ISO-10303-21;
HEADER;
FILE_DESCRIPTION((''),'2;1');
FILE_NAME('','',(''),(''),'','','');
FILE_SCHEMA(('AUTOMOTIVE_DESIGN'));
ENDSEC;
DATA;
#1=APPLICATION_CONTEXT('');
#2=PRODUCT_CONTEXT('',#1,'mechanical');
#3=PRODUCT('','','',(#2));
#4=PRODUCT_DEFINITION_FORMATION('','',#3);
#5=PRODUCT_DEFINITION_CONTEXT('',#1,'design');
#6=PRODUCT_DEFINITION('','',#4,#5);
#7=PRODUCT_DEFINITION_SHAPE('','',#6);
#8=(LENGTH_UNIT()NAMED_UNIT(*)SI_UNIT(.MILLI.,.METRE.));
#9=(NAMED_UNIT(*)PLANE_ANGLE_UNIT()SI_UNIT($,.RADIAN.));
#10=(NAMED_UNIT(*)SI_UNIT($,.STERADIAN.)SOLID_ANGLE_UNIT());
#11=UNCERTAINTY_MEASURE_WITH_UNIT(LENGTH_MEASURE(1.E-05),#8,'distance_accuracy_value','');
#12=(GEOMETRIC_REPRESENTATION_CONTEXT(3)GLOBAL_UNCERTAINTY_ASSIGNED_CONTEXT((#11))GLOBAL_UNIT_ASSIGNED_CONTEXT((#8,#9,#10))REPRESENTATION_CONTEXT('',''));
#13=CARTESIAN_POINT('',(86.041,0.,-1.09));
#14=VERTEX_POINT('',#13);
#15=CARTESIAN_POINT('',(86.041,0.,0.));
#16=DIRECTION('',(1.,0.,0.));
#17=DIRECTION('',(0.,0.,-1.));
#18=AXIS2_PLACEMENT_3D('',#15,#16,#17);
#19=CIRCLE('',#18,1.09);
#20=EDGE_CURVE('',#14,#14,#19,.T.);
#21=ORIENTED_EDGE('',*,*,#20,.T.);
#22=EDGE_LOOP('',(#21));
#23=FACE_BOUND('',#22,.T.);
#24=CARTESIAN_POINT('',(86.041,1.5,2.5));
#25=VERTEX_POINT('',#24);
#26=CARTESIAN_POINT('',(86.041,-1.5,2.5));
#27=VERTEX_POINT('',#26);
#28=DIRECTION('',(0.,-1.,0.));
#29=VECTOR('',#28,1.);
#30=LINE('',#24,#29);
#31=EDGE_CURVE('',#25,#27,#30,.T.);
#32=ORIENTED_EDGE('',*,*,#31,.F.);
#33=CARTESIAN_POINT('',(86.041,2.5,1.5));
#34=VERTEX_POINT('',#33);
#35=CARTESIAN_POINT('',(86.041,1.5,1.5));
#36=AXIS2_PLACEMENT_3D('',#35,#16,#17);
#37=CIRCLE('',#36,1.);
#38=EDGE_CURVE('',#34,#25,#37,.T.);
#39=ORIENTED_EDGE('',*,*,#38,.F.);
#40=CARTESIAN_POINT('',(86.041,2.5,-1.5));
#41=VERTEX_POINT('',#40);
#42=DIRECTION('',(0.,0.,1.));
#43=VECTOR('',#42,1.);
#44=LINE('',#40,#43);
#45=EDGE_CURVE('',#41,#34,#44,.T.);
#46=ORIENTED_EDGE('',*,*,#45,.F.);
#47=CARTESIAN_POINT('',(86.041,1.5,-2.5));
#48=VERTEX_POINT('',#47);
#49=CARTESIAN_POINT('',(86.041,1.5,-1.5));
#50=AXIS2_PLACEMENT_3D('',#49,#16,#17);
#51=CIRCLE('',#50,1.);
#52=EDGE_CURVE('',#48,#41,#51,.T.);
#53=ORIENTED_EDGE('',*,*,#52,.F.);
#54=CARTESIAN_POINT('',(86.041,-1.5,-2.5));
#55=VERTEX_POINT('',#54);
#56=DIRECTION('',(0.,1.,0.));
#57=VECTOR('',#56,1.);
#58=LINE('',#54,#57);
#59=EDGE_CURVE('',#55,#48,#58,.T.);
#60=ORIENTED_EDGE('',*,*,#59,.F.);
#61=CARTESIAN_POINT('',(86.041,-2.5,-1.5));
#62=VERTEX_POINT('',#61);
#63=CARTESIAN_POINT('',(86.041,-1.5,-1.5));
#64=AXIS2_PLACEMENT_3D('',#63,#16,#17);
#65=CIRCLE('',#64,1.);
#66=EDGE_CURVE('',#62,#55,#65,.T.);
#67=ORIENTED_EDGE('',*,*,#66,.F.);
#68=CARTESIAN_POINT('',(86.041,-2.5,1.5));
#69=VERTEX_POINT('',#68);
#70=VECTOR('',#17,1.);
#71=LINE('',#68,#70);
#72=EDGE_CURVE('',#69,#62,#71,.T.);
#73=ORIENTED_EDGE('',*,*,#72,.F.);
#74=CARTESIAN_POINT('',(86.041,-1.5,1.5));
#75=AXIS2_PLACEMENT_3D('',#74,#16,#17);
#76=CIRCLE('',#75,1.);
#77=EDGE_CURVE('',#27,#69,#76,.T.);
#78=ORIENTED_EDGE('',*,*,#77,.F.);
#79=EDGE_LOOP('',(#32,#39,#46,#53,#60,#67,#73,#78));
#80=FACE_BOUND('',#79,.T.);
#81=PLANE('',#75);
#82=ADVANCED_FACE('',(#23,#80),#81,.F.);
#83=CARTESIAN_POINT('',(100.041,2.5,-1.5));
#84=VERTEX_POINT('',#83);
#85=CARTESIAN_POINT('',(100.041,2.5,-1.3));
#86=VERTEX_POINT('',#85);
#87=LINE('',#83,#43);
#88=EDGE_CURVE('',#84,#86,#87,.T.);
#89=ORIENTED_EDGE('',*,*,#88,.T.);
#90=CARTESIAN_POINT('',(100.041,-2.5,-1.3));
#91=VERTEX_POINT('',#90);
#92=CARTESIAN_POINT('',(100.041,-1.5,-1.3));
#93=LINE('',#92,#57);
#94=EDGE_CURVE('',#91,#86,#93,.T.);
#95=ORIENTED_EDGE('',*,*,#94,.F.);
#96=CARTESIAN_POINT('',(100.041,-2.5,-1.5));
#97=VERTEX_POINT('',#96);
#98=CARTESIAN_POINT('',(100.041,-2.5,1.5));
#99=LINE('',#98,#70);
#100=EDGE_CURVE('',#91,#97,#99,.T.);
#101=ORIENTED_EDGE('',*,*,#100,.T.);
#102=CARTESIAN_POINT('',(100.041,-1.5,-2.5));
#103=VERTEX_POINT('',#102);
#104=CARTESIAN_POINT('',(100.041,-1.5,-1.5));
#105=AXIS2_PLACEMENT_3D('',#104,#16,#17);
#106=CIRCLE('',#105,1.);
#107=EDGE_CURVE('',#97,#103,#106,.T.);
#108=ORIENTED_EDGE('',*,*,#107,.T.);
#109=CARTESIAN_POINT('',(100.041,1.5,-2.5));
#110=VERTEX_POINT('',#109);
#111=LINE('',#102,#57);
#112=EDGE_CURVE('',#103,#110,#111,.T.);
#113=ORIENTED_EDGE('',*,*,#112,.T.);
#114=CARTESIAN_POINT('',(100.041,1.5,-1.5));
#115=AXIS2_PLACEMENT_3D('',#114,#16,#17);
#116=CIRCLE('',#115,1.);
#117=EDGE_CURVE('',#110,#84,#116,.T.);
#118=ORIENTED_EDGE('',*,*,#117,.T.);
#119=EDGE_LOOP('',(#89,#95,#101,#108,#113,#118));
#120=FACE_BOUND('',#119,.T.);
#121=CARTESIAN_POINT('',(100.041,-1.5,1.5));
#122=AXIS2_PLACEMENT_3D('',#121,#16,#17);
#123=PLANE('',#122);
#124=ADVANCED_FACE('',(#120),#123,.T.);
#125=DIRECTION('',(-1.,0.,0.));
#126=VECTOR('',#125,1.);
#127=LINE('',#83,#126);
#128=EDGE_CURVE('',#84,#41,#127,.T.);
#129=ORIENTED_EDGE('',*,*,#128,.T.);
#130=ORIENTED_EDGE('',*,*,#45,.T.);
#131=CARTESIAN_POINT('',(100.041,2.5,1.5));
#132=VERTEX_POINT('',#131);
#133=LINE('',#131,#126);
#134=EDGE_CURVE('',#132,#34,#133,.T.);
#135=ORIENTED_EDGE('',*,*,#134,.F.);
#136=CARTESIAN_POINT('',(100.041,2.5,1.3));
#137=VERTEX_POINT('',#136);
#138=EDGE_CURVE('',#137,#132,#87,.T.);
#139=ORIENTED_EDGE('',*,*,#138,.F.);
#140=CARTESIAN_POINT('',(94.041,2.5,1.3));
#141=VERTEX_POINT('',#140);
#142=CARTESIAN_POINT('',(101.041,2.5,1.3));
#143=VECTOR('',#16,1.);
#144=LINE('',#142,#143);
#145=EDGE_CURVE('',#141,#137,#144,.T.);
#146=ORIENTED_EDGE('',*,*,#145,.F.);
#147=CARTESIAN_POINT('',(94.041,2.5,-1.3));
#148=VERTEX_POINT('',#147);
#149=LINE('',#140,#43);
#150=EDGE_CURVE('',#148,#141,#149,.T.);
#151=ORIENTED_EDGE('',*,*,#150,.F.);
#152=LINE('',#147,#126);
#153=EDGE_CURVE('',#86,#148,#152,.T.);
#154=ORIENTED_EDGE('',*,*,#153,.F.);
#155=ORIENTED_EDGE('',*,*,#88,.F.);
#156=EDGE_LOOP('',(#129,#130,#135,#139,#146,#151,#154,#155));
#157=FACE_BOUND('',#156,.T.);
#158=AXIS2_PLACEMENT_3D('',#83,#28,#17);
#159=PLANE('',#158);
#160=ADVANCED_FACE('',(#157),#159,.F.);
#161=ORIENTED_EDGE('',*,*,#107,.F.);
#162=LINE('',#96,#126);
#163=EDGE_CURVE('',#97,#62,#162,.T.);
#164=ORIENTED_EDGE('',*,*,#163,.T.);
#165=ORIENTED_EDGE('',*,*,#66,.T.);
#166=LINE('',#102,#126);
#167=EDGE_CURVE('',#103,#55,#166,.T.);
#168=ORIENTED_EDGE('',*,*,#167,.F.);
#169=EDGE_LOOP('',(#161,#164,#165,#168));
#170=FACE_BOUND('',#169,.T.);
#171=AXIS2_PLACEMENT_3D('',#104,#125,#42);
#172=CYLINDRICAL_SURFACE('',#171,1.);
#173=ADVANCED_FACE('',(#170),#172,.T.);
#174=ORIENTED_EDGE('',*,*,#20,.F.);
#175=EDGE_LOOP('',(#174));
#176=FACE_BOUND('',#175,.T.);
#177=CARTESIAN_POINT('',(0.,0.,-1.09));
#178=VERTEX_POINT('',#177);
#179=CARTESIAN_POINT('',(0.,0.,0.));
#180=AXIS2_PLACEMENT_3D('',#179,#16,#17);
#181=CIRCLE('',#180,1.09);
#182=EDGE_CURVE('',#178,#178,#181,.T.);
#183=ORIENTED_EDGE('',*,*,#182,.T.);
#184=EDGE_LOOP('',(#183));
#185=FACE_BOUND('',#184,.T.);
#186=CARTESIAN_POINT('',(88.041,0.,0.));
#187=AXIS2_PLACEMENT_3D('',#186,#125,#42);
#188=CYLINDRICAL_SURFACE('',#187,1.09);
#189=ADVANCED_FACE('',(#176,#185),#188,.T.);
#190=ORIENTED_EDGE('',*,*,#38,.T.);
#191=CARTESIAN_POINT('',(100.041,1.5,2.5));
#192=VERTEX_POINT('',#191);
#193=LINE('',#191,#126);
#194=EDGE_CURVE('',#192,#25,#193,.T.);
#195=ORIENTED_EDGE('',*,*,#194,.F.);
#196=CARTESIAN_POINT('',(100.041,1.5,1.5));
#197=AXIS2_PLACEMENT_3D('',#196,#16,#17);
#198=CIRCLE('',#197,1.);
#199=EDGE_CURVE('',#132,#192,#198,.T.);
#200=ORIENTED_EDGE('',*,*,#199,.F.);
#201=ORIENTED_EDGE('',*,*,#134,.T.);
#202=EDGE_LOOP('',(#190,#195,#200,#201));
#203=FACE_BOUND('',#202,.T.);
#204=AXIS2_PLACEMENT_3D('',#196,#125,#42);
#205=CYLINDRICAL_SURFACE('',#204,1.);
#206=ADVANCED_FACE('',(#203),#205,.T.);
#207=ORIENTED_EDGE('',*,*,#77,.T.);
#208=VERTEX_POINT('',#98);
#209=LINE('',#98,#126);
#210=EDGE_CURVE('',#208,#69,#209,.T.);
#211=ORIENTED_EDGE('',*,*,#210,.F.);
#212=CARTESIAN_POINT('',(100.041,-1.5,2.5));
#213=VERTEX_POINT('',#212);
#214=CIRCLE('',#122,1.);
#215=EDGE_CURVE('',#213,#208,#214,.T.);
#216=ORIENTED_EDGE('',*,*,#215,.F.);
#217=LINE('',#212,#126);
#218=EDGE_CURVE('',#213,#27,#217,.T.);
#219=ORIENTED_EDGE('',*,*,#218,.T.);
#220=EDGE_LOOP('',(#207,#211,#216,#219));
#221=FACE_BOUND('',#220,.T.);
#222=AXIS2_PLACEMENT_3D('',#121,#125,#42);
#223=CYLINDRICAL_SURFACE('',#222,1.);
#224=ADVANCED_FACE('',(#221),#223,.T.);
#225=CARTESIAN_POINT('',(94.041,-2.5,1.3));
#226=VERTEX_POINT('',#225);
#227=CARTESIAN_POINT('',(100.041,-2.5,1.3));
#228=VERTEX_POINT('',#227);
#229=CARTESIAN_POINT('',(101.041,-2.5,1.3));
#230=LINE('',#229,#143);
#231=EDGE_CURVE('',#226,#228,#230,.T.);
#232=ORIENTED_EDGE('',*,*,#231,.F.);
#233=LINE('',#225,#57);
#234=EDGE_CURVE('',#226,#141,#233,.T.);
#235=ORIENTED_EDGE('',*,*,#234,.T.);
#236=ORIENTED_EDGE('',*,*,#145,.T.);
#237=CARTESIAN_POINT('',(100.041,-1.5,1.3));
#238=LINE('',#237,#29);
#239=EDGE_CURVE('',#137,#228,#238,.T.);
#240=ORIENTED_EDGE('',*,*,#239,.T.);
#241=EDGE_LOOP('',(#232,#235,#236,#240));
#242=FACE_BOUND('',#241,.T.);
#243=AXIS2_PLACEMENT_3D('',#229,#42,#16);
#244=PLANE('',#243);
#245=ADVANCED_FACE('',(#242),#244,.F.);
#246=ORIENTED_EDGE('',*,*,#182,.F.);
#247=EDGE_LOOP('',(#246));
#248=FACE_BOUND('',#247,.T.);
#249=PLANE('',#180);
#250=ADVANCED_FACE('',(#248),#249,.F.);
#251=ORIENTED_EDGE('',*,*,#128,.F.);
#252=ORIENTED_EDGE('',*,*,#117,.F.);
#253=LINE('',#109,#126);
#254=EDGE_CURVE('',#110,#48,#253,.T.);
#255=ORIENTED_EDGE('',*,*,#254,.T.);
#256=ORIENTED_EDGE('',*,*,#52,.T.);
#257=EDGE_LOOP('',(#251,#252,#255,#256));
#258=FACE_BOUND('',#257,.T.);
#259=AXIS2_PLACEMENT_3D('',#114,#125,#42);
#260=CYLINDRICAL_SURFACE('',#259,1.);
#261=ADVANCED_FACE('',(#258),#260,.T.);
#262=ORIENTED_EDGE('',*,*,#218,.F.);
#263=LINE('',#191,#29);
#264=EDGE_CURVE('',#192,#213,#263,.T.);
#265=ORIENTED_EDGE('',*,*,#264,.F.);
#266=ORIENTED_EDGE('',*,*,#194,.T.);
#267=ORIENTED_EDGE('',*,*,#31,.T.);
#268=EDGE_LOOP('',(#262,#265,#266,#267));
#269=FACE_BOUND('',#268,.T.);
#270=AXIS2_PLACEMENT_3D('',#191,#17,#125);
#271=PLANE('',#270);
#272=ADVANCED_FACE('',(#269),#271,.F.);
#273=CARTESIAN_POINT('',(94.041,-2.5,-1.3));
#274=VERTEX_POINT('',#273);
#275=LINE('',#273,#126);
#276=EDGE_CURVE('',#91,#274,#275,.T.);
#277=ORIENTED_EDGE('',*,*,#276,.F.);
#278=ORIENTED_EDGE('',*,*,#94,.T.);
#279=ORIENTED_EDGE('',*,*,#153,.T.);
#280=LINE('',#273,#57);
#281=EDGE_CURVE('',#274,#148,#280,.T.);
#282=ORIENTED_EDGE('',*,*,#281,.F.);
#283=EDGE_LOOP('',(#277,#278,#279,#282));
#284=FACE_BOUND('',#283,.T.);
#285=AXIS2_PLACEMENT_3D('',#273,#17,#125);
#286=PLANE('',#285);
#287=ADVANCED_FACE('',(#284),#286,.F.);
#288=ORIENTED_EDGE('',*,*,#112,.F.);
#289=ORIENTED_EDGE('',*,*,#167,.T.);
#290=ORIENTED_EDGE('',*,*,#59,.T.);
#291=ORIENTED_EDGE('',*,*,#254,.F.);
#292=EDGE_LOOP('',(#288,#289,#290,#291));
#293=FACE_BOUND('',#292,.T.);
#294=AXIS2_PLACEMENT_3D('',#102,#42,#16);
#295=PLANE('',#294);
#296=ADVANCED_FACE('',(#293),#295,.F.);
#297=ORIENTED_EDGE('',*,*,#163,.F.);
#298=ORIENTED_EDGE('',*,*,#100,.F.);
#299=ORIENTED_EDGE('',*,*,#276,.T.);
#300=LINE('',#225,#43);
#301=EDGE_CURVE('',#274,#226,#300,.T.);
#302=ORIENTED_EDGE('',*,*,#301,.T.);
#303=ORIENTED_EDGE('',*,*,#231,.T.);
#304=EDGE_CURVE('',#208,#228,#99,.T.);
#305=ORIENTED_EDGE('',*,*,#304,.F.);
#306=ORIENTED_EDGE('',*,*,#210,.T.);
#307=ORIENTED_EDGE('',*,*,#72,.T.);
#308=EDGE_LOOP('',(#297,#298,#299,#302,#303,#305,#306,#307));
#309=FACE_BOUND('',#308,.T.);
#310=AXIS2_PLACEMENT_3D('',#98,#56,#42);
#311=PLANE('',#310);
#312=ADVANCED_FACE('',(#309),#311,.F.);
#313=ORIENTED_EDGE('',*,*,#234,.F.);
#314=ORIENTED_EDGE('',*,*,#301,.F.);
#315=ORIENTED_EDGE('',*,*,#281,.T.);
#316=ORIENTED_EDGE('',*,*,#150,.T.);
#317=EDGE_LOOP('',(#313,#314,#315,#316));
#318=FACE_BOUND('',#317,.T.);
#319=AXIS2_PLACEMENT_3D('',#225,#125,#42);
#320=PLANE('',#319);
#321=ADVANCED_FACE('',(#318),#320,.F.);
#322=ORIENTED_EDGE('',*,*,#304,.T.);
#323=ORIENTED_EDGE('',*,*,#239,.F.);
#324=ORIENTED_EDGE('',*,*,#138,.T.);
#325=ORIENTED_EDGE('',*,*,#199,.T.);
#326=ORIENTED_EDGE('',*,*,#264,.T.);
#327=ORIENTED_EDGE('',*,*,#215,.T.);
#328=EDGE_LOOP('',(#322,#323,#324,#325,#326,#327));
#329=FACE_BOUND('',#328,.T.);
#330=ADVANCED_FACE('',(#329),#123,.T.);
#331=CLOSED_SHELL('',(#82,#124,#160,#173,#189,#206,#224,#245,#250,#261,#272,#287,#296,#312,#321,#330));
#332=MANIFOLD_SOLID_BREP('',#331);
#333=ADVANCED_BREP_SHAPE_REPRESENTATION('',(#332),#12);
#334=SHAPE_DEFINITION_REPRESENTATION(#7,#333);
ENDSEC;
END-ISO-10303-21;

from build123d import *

# Parameters (mm, degrees)
SKETCH1_R               = 1.09
BOSS_EXTRUDE1_DEPTH     = 88.041
BOSS_EXTRUDE2_DEPTH     = 14
CUT_EXTRUDE1_DEPTH      = 101.10345489
CUT_EXTRUDE1_DEPTH_BACK = 101.10345489
SKETCH3_W               = 7
SKETCH3_H               = 2.6


with BuildPart() as part:
    # Sketch1 → Boss-Extrude1 (new body)
    with BuildSketch(Plane(origin=(0, 0, 0), x_dir=(0, 0, -1), z_dir=(1, 0, 0))):
        Circle(SKETCH1_R)
    extrude(amount=BOSS_EXTRUDE1_DEPTH)

    # Sketch2 → Boss-Extrude2 (add)
    with BuildSketch(Plane(origin=(86.041, 0, 0), x_dir=(0, 0, -1), z_dir=(1, 0, 0))):
        with BuildLine():
            Line((-1.5, -2.5), (1.5, -2.5))
            ThreePointArc((1.5, -2.5), (2.207106781, -2.207106781), (2.5, -1.5))
            Line((2.5, -1.5), (2.5, 1.5))
            ThreePointArc((2.5, 1.5), (2.207106781, 2.207106781), (1.5, 2.5))
            Line((1.5, 2.5), (-1.5, 2.5))
            ThreePointArc((-1.5, 2.5), (-2.207106781, 2.207106781), (-2.5, 1.5))
            Line((-2.5, 1.5), (-2.5, -1.5))
            ThreePointArc((-2.5, -1.5), (-2.207106781, -2.207106781), (-1.5, -2.5))
        make_face()
    extrude(amount=BOSS_EXTRUDE2_DEPTH)

    # Sketch3 → Cut-Extrude1 (cut, two sides: drawn at the far end of the back side and taken through both)
    with BuildSketch(Plane(origin=(0, 0, 0), x_dir=(1, 0, 0), z_dir=(0, 1, 0)).offset(-CUT_EXTRUDE1_DEPTH_BACK)):
        with Locations((97.541, 0)):
            Rectangle(SKETCH3_W, SKETCH3_H)
    extrude(amount=CUT_EXTRUDE1_DEPTH + CUT_EXTRUDE1_DEPTH_BACK, mode=Mode.SUBTRACT)


solid = part.part
